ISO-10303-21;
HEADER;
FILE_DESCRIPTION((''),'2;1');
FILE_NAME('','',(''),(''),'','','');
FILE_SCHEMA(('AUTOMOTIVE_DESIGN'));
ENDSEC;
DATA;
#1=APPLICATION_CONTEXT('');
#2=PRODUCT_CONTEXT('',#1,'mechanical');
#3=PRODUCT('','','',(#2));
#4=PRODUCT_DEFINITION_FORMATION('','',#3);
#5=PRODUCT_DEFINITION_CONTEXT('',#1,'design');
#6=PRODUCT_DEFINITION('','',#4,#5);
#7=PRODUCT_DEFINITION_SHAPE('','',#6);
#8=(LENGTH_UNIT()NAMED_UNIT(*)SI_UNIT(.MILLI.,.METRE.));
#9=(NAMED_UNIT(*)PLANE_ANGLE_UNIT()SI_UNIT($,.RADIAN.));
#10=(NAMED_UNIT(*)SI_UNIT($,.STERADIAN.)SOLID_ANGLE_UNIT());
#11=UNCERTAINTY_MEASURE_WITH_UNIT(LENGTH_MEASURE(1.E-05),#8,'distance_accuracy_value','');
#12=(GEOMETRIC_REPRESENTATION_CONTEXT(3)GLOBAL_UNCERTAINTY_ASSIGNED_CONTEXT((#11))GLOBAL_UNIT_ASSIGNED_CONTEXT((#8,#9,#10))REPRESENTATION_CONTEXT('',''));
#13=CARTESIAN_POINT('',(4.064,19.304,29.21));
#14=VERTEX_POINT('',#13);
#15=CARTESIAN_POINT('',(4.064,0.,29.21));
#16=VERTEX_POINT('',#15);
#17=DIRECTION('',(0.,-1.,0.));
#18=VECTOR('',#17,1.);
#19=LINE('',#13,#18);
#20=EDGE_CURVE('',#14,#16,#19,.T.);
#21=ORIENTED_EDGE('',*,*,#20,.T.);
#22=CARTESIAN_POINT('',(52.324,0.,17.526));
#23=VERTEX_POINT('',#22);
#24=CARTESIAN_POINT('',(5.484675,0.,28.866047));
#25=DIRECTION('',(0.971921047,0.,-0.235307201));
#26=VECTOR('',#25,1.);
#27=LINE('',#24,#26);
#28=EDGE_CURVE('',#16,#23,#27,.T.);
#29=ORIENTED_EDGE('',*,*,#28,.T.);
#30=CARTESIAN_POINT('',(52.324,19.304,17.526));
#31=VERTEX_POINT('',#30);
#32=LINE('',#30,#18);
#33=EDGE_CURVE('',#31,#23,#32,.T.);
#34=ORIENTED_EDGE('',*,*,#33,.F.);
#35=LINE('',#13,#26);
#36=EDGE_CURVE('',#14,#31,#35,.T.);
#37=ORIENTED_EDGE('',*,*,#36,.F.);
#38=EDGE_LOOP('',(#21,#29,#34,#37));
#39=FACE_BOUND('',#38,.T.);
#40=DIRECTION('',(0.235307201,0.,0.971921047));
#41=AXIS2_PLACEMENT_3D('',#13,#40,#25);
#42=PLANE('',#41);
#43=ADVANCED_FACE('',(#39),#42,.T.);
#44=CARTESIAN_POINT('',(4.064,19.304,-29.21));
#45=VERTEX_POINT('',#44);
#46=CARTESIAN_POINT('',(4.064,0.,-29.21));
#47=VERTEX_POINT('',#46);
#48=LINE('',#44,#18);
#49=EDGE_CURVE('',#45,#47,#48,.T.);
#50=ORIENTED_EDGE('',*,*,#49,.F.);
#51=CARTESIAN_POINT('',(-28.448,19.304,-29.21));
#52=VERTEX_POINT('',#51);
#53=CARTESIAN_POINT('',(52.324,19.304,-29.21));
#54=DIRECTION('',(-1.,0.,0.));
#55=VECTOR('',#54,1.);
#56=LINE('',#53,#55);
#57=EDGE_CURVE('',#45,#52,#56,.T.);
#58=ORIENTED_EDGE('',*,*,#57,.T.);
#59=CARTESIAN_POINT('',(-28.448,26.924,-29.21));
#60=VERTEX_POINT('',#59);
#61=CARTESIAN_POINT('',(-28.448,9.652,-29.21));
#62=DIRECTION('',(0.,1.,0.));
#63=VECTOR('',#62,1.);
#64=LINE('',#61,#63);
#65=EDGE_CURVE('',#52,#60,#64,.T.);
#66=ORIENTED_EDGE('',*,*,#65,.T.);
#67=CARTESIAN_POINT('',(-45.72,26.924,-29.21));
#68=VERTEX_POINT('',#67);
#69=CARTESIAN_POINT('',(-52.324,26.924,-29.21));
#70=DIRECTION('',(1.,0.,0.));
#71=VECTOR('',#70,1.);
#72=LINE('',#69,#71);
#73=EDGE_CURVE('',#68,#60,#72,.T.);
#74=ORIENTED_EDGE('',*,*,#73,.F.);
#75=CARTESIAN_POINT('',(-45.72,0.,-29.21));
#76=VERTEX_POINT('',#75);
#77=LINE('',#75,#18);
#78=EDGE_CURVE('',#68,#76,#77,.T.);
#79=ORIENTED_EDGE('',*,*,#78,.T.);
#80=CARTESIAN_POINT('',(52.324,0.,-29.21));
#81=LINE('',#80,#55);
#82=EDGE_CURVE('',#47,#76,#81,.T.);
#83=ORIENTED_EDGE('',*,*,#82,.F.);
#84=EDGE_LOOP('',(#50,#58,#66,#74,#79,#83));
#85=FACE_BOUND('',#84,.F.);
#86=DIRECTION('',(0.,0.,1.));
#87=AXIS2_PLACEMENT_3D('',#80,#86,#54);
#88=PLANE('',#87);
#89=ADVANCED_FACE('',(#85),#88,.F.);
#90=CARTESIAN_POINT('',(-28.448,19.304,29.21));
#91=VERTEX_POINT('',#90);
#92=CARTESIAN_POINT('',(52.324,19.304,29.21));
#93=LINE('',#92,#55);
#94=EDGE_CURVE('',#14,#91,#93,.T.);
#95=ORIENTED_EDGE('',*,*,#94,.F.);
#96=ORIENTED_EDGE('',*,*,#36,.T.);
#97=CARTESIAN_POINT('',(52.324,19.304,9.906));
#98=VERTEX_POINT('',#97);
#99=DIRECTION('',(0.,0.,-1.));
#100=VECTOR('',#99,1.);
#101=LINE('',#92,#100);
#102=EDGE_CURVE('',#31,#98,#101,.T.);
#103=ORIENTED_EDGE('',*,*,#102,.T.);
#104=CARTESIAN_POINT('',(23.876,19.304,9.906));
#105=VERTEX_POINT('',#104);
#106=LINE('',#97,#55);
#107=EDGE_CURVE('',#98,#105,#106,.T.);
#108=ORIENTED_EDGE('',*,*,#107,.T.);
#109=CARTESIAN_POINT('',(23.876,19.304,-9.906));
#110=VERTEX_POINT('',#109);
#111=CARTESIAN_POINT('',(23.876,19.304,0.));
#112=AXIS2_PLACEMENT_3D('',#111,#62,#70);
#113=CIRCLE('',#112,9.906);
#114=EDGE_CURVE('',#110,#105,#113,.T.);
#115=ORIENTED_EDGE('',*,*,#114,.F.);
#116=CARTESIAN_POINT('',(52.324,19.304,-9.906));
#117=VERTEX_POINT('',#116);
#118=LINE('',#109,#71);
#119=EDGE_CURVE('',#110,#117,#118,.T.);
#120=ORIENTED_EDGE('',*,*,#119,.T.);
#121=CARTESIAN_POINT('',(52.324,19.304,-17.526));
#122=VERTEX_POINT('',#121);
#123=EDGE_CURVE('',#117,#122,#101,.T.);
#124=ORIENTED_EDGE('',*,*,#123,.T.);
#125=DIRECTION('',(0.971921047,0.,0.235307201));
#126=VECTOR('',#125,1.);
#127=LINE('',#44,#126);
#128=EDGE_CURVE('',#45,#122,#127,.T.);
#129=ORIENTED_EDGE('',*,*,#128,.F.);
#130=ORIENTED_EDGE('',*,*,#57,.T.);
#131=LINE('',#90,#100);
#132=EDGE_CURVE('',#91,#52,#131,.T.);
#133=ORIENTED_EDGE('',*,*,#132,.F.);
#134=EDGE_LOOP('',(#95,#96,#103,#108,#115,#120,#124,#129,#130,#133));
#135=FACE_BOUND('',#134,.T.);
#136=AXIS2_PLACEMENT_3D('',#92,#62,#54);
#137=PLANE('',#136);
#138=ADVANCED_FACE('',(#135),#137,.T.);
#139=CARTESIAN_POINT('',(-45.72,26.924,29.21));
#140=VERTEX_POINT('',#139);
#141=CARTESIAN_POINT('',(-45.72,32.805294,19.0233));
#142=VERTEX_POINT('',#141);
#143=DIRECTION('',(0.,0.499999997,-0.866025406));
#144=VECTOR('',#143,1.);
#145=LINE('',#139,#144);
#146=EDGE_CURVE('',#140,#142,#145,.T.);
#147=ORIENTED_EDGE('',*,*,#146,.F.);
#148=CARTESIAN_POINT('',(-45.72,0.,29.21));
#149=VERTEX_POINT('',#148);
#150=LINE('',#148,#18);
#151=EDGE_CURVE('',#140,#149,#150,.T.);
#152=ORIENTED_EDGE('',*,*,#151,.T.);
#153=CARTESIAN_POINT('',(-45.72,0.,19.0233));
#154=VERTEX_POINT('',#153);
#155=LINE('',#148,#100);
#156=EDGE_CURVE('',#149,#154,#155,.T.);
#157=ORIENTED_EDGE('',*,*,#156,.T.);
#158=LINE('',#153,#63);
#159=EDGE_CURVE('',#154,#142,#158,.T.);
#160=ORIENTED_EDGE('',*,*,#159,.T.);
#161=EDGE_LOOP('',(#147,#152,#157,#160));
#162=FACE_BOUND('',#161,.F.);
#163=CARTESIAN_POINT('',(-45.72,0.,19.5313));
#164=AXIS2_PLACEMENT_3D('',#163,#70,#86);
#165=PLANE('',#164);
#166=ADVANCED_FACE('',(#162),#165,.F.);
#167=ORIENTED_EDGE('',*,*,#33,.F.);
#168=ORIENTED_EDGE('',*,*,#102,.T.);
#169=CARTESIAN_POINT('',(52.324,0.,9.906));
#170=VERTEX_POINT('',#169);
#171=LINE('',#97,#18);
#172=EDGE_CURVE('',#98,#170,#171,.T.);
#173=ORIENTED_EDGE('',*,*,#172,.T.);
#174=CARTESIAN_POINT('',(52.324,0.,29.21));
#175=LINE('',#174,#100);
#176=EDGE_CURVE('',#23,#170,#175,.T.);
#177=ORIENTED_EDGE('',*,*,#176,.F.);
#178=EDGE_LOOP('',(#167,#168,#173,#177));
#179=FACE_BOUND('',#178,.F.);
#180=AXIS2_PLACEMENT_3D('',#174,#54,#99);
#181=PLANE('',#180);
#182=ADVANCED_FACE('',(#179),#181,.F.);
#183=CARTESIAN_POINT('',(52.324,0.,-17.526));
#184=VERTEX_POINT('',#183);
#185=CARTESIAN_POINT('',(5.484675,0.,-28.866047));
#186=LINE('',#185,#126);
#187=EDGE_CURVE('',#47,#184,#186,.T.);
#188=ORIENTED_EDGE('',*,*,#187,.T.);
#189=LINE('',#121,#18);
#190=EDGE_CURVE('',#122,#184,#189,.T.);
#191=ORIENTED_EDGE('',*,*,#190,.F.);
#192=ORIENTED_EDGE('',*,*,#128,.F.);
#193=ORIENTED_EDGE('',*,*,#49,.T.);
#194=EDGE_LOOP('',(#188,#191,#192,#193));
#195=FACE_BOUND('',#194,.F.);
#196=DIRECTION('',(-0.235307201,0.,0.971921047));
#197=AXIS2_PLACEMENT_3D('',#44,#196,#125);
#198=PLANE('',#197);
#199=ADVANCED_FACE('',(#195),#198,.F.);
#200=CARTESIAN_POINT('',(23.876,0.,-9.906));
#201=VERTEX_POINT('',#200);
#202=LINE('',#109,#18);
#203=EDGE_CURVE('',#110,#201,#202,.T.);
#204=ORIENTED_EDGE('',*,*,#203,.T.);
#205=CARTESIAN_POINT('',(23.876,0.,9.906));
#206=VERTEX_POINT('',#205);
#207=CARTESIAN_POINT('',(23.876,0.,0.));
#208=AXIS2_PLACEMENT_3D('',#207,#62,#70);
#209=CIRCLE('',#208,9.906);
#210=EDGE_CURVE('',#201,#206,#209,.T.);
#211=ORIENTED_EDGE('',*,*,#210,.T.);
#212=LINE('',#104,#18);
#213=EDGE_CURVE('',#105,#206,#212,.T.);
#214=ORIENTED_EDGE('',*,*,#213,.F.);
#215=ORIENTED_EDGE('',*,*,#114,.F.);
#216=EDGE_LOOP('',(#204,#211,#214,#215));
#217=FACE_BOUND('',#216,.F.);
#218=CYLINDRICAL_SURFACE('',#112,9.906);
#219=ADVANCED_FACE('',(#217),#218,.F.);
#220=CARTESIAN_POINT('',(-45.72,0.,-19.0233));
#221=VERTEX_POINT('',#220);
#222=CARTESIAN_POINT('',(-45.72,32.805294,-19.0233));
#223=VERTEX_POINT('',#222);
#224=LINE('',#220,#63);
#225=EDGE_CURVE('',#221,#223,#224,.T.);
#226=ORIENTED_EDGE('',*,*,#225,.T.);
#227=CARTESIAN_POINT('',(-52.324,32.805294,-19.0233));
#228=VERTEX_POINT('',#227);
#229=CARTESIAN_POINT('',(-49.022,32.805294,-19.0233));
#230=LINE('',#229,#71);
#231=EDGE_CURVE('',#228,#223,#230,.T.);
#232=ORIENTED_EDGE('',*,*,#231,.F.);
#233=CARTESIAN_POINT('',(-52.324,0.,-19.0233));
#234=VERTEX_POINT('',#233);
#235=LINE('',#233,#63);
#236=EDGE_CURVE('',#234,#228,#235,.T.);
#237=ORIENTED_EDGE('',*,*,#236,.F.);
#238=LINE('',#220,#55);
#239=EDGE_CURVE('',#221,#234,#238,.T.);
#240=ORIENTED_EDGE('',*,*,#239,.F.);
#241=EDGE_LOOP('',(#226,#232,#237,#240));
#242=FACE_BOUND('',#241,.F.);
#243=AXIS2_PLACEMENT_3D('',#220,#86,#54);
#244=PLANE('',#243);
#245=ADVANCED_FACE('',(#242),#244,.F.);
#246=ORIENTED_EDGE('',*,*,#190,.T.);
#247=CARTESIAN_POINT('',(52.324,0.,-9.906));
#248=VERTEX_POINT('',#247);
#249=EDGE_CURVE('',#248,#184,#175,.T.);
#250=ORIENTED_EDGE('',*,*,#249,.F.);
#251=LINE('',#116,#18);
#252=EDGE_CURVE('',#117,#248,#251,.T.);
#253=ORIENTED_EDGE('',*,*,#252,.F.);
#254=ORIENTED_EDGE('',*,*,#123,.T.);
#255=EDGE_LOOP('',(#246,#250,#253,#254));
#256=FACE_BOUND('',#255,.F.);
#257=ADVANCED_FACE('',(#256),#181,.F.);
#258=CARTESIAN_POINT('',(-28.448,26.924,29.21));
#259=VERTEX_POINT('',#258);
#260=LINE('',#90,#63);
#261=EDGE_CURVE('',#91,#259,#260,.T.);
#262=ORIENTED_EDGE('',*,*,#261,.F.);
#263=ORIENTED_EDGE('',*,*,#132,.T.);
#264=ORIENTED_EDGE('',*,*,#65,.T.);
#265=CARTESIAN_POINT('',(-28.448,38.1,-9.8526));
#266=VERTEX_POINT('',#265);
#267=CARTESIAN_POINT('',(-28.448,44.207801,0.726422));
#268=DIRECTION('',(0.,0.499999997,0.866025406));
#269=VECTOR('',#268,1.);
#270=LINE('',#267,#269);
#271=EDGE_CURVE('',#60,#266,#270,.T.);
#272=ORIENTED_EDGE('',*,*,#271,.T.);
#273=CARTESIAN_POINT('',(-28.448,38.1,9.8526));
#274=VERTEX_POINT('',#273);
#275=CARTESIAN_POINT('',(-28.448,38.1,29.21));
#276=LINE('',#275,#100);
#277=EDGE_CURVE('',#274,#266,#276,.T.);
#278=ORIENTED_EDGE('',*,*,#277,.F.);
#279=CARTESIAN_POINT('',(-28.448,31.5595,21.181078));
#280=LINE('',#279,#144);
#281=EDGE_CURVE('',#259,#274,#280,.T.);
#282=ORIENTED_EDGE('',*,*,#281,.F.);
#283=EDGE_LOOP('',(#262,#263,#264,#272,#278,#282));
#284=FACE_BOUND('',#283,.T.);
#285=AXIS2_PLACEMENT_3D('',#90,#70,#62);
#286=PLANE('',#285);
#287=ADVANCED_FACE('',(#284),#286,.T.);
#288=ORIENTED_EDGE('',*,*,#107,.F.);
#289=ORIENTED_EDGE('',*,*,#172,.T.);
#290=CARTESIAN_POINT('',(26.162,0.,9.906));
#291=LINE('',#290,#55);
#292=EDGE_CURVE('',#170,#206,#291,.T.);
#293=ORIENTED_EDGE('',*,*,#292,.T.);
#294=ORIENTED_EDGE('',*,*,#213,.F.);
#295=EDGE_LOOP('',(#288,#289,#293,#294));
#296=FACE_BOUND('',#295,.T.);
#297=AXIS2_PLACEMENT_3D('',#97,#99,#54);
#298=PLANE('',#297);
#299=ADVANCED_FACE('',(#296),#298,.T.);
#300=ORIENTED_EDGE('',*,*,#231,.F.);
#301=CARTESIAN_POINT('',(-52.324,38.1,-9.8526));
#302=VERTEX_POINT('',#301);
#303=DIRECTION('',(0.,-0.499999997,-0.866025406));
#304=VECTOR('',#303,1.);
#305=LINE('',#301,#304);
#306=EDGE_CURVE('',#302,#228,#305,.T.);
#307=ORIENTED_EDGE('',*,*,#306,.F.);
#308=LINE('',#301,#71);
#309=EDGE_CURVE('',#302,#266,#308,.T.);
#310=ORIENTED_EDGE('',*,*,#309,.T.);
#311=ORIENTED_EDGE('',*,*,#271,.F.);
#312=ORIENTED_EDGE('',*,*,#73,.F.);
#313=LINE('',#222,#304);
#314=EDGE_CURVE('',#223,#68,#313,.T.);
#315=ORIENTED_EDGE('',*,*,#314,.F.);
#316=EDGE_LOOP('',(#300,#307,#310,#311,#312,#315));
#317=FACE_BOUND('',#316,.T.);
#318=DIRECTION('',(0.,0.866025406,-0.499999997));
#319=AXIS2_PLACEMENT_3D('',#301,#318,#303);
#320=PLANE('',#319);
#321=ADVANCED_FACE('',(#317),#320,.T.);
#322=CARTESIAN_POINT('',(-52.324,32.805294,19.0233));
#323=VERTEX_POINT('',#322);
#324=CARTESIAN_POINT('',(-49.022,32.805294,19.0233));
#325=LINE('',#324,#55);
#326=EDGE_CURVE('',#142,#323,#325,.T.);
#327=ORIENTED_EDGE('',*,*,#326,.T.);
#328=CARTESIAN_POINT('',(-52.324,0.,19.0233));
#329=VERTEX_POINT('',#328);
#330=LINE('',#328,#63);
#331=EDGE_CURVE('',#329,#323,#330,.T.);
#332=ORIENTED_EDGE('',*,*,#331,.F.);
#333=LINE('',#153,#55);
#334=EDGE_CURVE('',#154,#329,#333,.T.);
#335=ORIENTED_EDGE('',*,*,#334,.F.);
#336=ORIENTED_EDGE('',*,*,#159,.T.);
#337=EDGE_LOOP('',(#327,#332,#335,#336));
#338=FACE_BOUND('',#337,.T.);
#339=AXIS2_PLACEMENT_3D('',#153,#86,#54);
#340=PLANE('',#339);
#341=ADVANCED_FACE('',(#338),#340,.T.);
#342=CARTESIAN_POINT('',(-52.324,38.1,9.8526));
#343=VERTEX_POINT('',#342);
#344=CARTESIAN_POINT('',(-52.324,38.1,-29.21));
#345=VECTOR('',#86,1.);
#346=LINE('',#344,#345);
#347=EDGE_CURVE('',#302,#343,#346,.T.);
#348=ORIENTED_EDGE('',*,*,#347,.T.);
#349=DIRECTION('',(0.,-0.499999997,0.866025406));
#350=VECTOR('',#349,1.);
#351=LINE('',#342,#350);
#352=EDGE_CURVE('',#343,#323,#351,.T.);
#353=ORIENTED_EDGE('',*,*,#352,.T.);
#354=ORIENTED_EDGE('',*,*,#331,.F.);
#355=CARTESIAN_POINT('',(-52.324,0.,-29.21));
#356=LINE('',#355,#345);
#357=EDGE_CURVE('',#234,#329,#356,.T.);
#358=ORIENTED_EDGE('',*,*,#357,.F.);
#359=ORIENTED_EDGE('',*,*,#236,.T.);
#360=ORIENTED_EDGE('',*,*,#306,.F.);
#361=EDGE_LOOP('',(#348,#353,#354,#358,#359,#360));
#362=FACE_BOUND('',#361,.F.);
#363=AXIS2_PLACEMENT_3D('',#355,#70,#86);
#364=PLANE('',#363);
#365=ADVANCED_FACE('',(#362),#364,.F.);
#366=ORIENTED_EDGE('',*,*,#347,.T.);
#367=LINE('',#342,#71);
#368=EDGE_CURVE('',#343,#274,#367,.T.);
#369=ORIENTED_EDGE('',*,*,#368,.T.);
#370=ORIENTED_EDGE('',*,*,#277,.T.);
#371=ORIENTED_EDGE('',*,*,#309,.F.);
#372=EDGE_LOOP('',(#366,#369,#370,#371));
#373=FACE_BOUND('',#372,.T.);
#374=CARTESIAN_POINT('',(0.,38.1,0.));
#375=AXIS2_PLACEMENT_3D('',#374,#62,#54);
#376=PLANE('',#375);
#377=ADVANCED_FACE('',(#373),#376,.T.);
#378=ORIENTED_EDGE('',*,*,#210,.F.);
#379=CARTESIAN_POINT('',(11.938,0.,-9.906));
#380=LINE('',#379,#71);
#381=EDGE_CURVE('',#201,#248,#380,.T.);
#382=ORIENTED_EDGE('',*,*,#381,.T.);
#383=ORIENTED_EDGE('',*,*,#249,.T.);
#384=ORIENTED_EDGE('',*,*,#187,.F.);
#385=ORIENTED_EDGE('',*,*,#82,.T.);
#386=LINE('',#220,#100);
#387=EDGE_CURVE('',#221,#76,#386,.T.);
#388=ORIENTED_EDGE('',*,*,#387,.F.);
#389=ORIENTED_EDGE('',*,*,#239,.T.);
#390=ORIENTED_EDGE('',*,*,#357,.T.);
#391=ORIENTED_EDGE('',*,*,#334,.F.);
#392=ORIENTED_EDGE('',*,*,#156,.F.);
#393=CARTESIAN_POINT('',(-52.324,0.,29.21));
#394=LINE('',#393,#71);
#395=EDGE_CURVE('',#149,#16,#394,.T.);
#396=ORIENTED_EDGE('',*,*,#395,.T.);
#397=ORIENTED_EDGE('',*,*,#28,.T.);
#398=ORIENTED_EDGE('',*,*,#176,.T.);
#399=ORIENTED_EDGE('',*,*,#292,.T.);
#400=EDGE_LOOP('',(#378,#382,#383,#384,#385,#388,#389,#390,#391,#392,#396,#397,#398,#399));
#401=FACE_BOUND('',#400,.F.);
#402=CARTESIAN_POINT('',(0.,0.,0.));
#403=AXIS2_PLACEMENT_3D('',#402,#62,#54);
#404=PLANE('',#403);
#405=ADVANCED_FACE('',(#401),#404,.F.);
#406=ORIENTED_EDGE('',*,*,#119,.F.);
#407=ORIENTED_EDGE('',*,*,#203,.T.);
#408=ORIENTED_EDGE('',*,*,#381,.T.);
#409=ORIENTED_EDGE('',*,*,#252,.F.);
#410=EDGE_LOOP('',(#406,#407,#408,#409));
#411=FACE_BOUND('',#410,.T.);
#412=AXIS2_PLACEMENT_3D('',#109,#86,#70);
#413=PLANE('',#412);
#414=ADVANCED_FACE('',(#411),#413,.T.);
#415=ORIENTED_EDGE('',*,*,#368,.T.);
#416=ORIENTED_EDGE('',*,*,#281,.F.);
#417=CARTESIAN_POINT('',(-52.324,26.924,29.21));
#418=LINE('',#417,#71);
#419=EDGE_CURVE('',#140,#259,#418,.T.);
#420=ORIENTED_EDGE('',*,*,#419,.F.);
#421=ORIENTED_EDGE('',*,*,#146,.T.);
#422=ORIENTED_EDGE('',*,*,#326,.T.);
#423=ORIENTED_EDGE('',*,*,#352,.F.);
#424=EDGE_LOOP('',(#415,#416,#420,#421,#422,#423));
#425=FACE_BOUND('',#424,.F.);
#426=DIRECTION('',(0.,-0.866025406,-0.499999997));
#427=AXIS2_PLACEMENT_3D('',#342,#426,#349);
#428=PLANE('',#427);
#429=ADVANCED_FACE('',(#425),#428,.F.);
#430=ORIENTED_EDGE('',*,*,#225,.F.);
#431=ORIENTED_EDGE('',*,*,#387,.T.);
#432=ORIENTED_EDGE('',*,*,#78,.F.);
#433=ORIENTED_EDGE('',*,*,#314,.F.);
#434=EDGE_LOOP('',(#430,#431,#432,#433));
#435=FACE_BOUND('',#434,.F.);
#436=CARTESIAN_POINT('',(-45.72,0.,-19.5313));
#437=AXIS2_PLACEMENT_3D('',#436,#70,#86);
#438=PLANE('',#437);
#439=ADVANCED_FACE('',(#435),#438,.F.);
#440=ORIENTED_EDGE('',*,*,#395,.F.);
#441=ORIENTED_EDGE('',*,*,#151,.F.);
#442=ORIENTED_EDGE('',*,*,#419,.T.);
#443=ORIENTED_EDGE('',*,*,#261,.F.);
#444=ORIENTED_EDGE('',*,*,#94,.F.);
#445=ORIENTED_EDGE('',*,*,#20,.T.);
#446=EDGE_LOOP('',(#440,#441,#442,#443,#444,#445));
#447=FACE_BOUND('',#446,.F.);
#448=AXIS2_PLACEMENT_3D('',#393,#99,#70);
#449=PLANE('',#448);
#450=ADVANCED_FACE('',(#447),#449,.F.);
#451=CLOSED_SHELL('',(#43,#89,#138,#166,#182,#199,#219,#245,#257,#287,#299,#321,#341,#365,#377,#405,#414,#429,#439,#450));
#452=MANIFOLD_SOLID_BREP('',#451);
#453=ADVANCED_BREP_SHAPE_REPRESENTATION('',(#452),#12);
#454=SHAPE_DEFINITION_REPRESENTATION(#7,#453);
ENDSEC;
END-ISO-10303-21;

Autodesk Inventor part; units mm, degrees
ref_plane "YZ Plane" through (0, 0, 0) normal (1, 0, 0) x (0, 1, 0)
ref_plane "XZ Plane" through (0, 0, 0) normal (0, 1, 0) x (-1, 0, 0)
ref_plane "XY Plane" through (0, 0, 0) normal (0, 0, 1) x (1, 0, 0)
sketch "Sketch1" plane through (0, 0, 0) normal (0, 1, 0) x (-1, 0, 0)
  line L0 (-52.324, -29.21) -> (52.324, -29.21)
  line L1 (52.324, -29.21) -> (52.324, 29.21)
  line L2 (52.324, 29.21) -> (-52.324, 29.21)
  line L3 (-52.324, 29.21) -> (-52.324, -29.21)
  line L4 (-52.324, -29.21) -> (52.324, 29.21) construction
  line L5 (52.324, -29.21) -> (-52.324, 29.21) construction
  point P0 (0, 0)
  dimension "d0" = 104.648
  dimension "d1" = 58.42
extrude "Extrusion1" add sketch "Sketch1" along normal blind 38.1
sketch "Sketch2" plane through (-52.324, 0, 29.21) normal (0, 0, 1) x (1, 0, 0)
  line L0 (0, 38.1) -> (104.648, 38.1) projected
  line L1 (104.648, 0) -> (104.648, 38.1) projected
  line L2 (23.876, 38.1) -> (104.648, 38.1)
  line L3 (104.648, 38.1) -> (104.648, 19.304)
  line L4 (104.648, 19.304) -> (23.876, 19.304)
  line L5 (23.876, 19.304) -> (23.876, 38.1)
  line L6 (0, 0) -> (0, 38.1) projected
  line L7 (0, 0) -> (104.648, 0) projected
  point P0 (52.324, 0)
  dimension "d4" = 23.876
  dimension "d5" = 19.304
extrude "Extrusion2" cut sketch "Sketch2" against normal through all contours L0 L1 L4 L5
sketch "Sketch3" plane through (-52.324, 0, -29.21) normal (-1, 0, 0) x (0, 0, 1)
  line L0 (0, 38.1) -> (58.42, 38.1) projected
  line L1 (39.0626, 38.1) -> (58.42, 26.924)
  line L2 (58.42, 0) -> (58.42, 38.1) projected
  point P0 (29.21, 0)
  dimension "d8" = 11.176
  dimension "d9" = 30
extrude "Extrusion3" cut sketch "Sketch3" against normal through all
sketch "Sketch4" plane through (-52.324, 0, -29.21) normal (-1, 0, 0) x (0, 0, 1)
  line L0 (0, 38.1) -> (39.0626, 38.1) projected
  line L1 (19.3574, 38.1) -> (0, 26.924)
  line L2 (0, 38.1) -> (0, 19.304) projected
  point P0 (29.21, 0)
  dimension "d12" = 11.176
  dimension "d13" = 30
extrude "Extrusion4" cut sketch "Sketch4" against normal through all
sketch "Sketch5" plane through (-28.448, 19.304, 29.21) normal (0, 1, 0) x (1, 0, 0)
  line L0 (80.772, 0) -> (0, 0) projected
  line L1 (32.512, 0) -> (80.772, 11.684)
  line L2 (80.772, 58.42) -> (80.772, 0) projected
  point P0 (28.448, 29.21)
  dimension "d16" = 48.26
  dimension "d17" = 11.684
extrude "Extrusion5" cut sketch "Sketch5" against normal through all
sketch "Sketch6" plane through (-28.448, 19.304, -29.21) normal (0, 1, 0) x (1, 0, 0)
  line L0 (80.772, 0) -> (-23.876, 0) projected
  line L1 (32.512, 0) -> (80.772, -11.684)
  line L2 (80.772, 0) -> (80.772, -46.736) projected
  point P0 (28.448, -29.21)
  dimension "d20" = 11.684
  dimension "d21" = 48.26
extrude "Extrusion6" cut sketch "Sketch6" against normal through all
sketch "Sketch7" plane through (0, 0, 0) normal (0, -1, 0) x (1, 0, 0)
  line L0 (-52.324, 29.21) -> (-52.324, 9.8526) projected
  line L1 (-52.324, 19.5313) -> (-45.72, 19.5313)
  line L2 (-45.72, 19.5313) -> (-45.72, 29.6913)
  line L3 (-45.72, 29.6913) -> (-52.324, 29.6913)
  line L4 (-52.324, 29.6913) -> (-52.324, 19.5313)
  point P0 (0, 0)
  dimension "d25" = 6.604
  dimension "d26" = 10.16
extrude "Extrusion7" cut sketch "Sketch7" against normal through all
sketch "Sketch8" plane through (0, 0, 0) normal (0, -1, 0) x (1, 0, 0)
  line L0 (-52.324, -9.8526) -> (-52.324, -29.21) projected
  line L1 (-52.324, -19.5313) -> (-45.72, -19.5313)
  line L2 (-45.72, -19.5313) -> (-45.72, -29.6913)
  line L3 (-45.72, -29.6913) -> (-52.324, -29.6913)
  line L4 (-52.324, -29.6913) -> (-52.324, -19.5313)
  point P0 (0, 0)
  dimension "d29" = 6.604
  dimension "d30" = 10.16
extrude "Extrusion8" cut sketch "Sketch8" against normal through all
sketch "Sketch9" plane through (-28.448, 19.304, 29.21) normal (0, 1, 0) x (1, 0, 0)
  line L0 (80.772, 46.736) -> (80.772, 11.684) projected
  circle A0 centre (52.324, 29.21) radius 9.906
  point P0 (28.448, 29.21)
  point P1 (80.772, 29.21)
  point P2 (80.772, 29.21)
  dimension "d35" = 19.812
  dimension "d36" = 28.448
extrude "Extrusion9" cut sketch "Sketch9" against normal through all
sketch "Sketch10" plane through (-28.448, 19.304, 29.21) normal (0, 1, 0) x (1, 0, 0)
  circle A0 centre (52.324, 29.21) radius 9.906 projected
  line L0 (80.772, 11.684) -> (80.772, 46.736) projected
  line L1 (52.324, 39.116) -> (80.772, 39.116)
  line L2 (80.772, 39.116) -> (80.772, 19.304)
  line L3 (80.772, 19.304) -> (52.324, 19.304)
  line L4 (52.324, 19.304) -> (52.324, 39.116)
  point P0 (28.448, 29.21)
  dimension "d39" = 19.812
extrude "Extrusion10" cut sketch "Sketch10" against normal through all contours A0 L1 L0 L3
sketch "Sketch11" plane through (0, 0, 0) normal (0, -1, 0) x (1, 0, 0)
  line L0 (-52.324, -19.5313) -> (-52.324, 19.5313) projected
  line L1 (-52.324, -19.5313) -> (-45.72, -19.5313)
  line L2 (-45.72, -19.5313) -> (-45.72, -19.0233)
  line L3 (-45.72, -19.0233) -> (-52.324, -19.0233)
  line L4 (-52.324, -19.0233) -> (-52.324, -19.5313)
  point P0 (0, 0)
  dimension "d42" = 0.508
sketch "Sketch12" plane through (0, 0, 0) normal (0, -1, 0) x (1, 0, 0)
  line L0 (-52.324, -19.5313) -> (-52.324, 19.5313) projected
  line L1 (-52.324, 19.5313) -> (-45.72, 19.5313)
  line L2 (-45.72, 19.5313) -> (-45.72, 19.0233)
  line L3 (-45.72, 19.0233) -> (-52.324, 19.0233)
  line L4 (-52.324, 19.0233) -> (-52.324, 19.5313)
  point P0 (0, 0)
  dimension "d43" = 0.508
extrude "Extrusion11" cut sketch "Sketch11" against normal through all
extrude "Extrusion12" cut sketch "Sketch12" against normal through all
properties part number "FINGER GUIDE"
